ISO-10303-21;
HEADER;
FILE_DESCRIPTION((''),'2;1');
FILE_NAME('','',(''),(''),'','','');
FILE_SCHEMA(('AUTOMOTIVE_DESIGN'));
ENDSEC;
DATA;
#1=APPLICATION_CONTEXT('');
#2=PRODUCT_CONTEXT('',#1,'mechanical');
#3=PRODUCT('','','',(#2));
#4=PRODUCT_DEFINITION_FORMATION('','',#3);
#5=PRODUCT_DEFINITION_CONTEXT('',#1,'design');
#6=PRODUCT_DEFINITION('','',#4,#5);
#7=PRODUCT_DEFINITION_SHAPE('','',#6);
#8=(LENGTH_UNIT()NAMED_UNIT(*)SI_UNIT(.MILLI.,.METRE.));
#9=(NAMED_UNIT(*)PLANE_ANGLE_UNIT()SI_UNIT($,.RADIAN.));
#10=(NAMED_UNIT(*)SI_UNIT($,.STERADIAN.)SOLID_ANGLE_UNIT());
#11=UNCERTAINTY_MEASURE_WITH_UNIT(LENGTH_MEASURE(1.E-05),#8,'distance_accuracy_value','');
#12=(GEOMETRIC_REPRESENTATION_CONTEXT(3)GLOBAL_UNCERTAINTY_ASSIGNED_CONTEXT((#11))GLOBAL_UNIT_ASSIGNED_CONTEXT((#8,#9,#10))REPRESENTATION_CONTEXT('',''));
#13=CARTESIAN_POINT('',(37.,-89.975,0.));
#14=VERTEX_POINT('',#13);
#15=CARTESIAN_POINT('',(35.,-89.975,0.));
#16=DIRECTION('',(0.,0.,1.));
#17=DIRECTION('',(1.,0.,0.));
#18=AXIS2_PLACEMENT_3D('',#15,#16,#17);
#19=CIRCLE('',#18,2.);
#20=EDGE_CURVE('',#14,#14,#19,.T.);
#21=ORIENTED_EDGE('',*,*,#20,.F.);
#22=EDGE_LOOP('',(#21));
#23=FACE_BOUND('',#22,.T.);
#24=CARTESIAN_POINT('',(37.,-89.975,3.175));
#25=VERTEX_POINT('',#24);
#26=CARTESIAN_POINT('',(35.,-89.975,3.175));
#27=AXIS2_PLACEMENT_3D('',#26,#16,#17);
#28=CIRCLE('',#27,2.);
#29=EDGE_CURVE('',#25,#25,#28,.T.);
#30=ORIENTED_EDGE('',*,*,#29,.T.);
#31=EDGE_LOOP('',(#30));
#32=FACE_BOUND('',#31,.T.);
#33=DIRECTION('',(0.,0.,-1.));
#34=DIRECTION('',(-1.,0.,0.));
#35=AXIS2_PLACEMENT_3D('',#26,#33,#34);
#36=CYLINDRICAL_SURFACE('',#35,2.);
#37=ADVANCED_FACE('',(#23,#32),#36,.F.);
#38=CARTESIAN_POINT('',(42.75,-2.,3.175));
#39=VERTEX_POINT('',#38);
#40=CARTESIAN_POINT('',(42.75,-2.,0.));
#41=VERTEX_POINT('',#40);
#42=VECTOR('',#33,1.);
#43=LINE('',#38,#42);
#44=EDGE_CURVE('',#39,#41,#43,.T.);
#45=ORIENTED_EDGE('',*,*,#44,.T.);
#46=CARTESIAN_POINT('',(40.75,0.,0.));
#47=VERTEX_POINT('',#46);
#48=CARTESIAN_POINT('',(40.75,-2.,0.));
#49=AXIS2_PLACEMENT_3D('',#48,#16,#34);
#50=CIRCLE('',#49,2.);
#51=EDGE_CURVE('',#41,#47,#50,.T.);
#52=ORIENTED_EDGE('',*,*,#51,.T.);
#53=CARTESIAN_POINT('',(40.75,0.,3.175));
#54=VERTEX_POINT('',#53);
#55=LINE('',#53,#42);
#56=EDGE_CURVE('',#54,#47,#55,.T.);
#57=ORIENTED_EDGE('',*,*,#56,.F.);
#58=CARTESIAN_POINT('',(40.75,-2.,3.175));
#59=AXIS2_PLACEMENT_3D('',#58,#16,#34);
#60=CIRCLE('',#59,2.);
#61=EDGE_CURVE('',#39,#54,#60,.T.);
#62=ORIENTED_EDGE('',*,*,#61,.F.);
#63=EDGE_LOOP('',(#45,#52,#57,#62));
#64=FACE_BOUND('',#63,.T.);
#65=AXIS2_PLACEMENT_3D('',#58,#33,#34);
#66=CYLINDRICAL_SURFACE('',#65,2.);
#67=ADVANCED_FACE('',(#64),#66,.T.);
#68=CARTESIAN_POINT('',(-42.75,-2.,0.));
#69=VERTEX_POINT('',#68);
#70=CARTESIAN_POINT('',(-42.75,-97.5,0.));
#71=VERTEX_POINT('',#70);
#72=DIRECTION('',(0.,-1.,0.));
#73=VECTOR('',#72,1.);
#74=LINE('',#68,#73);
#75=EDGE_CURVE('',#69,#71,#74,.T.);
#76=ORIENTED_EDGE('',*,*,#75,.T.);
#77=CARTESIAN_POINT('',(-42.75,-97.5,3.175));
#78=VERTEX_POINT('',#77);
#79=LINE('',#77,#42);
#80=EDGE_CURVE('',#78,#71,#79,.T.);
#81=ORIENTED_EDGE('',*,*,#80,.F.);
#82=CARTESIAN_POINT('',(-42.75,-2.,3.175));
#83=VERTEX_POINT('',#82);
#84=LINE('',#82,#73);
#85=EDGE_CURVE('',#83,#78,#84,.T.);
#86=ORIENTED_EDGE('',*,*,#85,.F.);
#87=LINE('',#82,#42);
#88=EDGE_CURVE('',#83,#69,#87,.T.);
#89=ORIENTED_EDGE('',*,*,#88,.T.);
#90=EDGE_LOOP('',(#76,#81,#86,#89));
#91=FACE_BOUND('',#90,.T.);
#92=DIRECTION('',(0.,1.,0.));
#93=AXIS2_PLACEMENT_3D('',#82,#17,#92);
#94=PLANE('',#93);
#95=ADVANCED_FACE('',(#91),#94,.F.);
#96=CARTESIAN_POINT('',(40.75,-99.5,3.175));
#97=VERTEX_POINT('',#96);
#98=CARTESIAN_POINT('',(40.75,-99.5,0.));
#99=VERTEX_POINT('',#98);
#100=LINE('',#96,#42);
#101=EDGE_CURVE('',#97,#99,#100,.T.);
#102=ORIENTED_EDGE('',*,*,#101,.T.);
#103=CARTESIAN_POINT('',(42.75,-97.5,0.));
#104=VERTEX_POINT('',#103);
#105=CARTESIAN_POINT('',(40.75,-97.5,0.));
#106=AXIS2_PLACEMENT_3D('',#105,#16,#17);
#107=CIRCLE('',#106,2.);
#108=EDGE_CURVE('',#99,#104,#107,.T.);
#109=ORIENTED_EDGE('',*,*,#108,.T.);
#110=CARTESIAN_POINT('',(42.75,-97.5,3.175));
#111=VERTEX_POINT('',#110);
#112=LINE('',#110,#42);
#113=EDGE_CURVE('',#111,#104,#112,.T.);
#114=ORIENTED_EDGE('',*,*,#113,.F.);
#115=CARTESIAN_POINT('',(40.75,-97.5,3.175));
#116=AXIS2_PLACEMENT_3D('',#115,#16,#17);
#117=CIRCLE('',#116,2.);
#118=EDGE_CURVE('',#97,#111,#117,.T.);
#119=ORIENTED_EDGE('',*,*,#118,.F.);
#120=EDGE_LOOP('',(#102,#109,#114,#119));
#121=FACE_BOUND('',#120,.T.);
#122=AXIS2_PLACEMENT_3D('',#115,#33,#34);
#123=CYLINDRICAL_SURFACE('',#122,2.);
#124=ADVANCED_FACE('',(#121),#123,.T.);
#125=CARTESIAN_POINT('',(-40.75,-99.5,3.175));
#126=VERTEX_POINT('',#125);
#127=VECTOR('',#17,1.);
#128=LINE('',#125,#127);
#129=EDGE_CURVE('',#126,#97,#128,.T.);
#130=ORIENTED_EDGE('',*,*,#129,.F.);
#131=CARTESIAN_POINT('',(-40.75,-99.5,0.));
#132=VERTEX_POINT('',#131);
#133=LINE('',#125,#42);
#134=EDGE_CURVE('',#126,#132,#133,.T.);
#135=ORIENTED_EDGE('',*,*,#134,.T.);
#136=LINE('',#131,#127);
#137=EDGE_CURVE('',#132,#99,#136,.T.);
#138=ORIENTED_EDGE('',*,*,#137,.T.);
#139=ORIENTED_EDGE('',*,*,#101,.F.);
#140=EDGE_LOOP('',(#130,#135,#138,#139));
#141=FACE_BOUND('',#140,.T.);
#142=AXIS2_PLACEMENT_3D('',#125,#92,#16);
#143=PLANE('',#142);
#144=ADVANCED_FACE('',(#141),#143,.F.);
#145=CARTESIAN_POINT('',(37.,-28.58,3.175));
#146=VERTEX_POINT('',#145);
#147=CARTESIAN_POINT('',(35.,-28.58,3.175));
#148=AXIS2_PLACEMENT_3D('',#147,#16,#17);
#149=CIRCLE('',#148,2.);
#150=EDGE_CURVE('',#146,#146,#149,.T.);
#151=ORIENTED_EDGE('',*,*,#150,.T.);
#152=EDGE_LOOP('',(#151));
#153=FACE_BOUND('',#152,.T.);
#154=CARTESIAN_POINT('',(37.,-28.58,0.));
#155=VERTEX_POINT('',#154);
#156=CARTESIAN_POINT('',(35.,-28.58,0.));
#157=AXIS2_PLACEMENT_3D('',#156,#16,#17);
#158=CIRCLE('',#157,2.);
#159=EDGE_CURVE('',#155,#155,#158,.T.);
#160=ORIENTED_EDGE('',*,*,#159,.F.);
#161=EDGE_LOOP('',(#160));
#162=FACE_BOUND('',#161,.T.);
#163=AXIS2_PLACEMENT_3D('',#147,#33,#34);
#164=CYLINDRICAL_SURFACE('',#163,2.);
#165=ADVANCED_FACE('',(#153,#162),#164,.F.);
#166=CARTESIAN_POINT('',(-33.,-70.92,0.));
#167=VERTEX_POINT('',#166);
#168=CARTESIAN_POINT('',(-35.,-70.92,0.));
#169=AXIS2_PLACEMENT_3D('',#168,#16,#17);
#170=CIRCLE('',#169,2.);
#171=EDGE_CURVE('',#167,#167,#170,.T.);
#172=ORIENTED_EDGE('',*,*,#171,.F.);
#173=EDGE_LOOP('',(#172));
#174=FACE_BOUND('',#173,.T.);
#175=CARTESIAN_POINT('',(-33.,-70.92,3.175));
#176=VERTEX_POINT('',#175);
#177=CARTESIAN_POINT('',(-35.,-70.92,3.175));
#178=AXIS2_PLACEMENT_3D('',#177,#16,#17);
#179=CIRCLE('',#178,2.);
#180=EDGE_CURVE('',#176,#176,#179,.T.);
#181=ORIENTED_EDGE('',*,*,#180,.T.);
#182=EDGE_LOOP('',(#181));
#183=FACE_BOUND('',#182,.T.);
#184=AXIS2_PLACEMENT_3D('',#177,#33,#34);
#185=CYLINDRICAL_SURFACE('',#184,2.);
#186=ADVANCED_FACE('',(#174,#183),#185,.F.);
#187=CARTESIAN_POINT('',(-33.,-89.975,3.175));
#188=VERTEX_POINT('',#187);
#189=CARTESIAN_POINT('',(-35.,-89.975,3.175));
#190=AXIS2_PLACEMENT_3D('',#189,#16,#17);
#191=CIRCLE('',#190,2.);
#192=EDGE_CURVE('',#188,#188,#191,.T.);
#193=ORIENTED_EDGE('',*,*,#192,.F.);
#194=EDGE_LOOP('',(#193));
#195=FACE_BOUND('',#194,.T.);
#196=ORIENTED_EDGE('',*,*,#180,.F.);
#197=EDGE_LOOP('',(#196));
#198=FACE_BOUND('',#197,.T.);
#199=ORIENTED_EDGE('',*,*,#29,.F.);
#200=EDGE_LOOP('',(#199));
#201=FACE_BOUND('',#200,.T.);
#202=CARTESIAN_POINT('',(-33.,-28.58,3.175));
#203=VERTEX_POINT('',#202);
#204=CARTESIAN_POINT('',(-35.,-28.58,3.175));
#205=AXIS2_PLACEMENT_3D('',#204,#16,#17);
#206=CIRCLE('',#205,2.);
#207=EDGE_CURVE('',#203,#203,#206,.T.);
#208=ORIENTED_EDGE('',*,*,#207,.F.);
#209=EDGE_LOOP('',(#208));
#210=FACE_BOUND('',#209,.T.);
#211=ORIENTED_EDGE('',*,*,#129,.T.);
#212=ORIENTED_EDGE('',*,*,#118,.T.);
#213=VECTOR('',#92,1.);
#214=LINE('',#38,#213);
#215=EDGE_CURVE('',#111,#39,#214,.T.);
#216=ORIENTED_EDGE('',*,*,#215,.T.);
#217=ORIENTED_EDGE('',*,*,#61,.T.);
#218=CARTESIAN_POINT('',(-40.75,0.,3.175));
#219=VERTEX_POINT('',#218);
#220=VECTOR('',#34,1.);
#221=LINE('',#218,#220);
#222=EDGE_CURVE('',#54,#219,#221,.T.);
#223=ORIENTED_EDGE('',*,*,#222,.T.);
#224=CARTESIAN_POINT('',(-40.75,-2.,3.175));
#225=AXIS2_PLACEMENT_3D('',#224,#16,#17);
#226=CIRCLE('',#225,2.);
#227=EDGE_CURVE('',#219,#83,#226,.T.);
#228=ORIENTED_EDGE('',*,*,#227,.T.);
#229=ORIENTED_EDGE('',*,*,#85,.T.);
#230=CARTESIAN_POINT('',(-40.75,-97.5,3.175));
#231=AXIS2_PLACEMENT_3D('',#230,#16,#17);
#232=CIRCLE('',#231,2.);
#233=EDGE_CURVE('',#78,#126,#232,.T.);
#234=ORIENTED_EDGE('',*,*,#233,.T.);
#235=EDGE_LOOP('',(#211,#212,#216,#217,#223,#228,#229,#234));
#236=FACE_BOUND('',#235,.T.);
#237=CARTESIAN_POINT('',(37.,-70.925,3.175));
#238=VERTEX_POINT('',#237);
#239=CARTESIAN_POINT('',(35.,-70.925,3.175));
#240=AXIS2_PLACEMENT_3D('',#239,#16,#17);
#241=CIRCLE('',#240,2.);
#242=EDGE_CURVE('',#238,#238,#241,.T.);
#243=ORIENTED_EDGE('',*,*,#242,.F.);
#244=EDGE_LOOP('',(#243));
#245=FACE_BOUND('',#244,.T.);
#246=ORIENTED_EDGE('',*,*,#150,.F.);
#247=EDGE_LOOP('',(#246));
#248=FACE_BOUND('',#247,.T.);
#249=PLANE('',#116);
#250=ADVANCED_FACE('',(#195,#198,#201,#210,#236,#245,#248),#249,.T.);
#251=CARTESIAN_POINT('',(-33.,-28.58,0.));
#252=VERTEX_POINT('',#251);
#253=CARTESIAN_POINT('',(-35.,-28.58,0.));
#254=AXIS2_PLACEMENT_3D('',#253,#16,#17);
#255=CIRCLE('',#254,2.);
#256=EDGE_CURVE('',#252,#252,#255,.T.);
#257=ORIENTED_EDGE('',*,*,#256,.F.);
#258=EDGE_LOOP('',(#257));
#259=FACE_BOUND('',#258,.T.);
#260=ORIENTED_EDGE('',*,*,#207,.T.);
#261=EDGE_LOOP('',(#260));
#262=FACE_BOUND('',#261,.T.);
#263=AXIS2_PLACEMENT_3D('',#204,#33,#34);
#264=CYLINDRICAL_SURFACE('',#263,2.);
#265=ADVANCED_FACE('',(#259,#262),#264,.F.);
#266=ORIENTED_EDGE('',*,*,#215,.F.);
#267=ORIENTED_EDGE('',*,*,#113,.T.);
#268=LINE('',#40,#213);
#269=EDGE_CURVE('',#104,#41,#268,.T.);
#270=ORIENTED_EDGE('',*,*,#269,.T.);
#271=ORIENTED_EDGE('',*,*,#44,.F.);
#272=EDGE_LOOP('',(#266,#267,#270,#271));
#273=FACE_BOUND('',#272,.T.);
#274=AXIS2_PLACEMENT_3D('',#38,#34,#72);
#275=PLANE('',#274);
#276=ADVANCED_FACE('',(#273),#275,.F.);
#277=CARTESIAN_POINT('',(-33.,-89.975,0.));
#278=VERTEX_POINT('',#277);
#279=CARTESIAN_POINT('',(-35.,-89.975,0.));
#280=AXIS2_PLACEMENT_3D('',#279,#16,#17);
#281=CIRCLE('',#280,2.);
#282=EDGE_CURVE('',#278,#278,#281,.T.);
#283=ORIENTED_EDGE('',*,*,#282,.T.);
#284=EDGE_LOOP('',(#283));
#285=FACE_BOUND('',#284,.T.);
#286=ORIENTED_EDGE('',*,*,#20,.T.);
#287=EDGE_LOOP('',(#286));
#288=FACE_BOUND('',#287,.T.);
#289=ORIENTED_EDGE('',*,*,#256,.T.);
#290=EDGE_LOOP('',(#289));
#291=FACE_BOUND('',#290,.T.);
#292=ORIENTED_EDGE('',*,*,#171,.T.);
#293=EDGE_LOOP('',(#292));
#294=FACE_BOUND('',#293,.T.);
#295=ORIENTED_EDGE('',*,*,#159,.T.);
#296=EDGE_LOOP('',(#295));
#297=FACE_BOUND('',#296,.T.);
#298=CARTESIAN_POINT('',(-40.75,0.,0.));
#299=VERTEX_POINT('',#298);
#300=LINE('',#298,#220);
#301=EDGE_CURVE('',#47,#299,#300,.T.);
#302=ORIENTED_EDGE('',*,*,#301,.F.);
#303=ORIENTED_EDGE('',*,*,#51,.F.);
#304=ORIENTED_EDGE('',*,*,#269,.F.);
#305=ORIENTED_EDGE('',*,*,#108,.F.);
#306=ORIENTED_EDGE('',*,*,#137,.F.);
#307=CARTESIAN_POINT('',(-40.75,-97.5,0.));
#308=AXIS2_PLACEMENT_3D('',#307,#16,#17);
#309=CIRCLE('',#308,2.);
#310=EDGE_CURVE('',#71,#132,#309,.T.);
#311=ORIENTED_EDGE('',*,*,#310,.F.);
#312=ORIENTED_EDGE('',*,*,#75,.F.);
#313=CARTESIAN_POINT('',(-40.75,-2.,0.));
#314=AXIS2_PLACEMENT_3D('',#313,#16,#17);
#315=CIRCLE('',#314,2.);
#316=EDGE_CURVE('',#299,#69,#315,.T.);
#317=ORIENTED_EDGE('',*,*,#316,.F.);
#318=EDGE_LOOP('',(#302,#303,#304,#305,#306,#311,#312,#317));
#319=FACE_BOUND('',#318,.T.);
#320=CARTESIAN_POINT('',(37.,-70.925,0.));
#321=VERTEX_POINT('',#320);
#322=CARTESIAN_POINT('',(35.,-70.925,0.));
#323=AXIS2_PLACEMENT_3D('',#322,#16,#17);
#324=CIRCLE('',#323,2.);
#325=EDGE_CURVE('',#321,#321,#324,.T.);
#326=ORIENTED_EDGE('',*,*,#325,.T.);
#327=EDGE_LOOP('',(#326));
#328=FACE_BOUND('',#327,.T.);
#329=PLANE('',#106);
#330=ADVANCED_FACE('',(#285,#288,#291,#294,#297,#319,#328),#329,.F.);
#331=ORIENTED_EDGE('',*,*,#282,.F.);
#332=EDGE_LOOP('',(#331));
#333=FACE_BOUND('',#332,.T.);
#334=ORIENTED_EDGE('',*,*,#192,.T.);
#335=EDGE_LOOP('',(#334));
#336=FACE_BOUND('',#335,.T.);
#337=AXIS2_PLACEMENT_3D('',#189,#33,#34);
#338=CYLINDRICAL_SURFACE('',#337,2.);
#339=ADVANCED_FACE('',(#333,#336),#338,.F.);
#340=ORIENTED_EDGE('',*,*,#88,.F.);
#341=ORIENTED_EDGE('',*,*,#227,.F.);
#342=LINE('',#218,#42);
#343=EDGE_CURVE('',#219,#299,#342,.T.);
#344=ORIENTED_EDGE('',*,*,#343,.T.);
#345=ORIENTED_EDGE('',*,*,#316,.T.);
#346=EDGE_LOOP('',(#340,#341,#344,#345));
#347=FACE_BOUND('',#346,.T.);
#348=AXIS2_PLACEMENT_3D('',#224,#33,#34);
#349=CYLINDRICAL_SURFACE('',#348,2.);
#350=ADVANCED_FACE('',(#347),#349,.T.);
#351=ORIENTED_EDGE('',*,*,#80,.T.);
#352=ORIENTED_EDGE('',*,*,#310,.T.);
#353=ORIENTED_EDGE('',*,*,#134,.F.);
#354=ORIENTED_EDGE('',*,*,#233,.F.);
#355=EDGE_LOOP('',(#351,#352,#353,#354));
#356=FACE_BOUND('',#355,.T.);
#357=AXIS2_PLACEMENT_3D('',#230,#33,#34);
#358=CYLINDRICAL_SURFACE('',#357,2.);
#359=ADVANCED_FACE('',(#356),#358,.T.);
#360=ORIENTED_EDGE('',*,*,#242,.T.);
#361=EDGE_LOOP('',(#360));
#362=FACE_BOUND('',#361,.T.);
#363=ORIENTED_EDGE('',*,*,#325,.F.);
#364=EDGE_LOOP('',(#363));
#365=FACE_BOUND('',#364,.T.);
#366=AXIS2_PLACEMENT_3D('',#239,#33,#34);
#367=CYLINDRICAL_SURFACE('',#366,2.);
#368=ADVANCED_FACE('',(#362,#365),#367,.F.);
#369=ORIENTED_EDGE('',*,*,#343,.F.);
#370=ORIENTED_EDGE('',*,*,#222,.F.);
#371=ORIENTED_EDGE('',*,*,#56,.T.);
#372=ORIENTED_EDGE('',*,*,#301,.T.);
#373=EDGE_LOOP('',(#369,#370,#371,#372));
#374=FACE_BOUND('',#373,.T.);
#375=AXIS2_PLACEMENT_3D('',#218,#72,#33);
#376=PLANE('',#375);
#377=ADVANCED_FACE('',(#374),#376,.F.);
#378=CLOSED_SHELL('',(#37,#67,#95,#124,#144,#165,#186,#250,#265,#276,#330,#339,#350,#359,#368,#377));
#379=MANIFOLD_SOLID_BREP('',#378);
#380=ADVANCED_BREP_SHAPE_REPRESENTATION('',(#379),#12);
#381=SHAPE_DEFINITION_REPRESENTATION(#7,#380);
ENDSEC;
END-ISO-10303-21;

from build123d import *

# Parameters (mm, degrees)
SKETCH1_R           = 2
BOSS_EXTRUDE1_DEPTH = 3.175


with BuildPart() as part:
    # Sketch1 → Boss-Extrude1 (new body)
    with BuildSketch(Plane.XY):
        with BuildLine():
            Line((-40.75, 0), (40.75, 0))
            ThreePointArc((40.75, 0), (42.164213562, -0.585786438), (42.75, -2))
            Line((42.75, -2), (42.75, -97.5))
            ThreePointArc((42.75, -97.5), (42.164213562, -98.914213562), (40.75, -99.5))
            Line((40.75, -99.5), (-40.75, -99.5))
            ThreePointArc((-40.75, -99.5), (-42.164213562, -98.914213562), (-42.75, -97.5))
            Line((-42.75, -97.5), (-42.75, -2))
            ThreePointArc((-42.75, -2), (-42.164213562, -0.585786438), (-40.75, 0))
        make_face()
        with Locations((35, -89.975)):
            Circle(SKETCH1_R, mode=Mode.SUBTRACT)
        with Locations((-35, -89.975)):
            Circle(SKETCH1_R, mode=Mode.SUBTRACT)
        with Locations((35, -70.925)):
            Circle(SKETCH1_R, mode=Mode.SUBTRACT)
        with Locations((35, -28.58)):
            Circle(SKETCH1_R, mode=Mode.SUBTRACT)
        with Locations((-35, -70.92)):
            Circle(SKETCH1_R, mode=Mode.SUBTRACT)
        with Locations((-35, -28.58)):
            Circle(SKETCH1_R, mode=Mode.SUBTRACT)
    extrude(amount=BOSS_EXTRUDE1_DEPTH)


solid = part.part
